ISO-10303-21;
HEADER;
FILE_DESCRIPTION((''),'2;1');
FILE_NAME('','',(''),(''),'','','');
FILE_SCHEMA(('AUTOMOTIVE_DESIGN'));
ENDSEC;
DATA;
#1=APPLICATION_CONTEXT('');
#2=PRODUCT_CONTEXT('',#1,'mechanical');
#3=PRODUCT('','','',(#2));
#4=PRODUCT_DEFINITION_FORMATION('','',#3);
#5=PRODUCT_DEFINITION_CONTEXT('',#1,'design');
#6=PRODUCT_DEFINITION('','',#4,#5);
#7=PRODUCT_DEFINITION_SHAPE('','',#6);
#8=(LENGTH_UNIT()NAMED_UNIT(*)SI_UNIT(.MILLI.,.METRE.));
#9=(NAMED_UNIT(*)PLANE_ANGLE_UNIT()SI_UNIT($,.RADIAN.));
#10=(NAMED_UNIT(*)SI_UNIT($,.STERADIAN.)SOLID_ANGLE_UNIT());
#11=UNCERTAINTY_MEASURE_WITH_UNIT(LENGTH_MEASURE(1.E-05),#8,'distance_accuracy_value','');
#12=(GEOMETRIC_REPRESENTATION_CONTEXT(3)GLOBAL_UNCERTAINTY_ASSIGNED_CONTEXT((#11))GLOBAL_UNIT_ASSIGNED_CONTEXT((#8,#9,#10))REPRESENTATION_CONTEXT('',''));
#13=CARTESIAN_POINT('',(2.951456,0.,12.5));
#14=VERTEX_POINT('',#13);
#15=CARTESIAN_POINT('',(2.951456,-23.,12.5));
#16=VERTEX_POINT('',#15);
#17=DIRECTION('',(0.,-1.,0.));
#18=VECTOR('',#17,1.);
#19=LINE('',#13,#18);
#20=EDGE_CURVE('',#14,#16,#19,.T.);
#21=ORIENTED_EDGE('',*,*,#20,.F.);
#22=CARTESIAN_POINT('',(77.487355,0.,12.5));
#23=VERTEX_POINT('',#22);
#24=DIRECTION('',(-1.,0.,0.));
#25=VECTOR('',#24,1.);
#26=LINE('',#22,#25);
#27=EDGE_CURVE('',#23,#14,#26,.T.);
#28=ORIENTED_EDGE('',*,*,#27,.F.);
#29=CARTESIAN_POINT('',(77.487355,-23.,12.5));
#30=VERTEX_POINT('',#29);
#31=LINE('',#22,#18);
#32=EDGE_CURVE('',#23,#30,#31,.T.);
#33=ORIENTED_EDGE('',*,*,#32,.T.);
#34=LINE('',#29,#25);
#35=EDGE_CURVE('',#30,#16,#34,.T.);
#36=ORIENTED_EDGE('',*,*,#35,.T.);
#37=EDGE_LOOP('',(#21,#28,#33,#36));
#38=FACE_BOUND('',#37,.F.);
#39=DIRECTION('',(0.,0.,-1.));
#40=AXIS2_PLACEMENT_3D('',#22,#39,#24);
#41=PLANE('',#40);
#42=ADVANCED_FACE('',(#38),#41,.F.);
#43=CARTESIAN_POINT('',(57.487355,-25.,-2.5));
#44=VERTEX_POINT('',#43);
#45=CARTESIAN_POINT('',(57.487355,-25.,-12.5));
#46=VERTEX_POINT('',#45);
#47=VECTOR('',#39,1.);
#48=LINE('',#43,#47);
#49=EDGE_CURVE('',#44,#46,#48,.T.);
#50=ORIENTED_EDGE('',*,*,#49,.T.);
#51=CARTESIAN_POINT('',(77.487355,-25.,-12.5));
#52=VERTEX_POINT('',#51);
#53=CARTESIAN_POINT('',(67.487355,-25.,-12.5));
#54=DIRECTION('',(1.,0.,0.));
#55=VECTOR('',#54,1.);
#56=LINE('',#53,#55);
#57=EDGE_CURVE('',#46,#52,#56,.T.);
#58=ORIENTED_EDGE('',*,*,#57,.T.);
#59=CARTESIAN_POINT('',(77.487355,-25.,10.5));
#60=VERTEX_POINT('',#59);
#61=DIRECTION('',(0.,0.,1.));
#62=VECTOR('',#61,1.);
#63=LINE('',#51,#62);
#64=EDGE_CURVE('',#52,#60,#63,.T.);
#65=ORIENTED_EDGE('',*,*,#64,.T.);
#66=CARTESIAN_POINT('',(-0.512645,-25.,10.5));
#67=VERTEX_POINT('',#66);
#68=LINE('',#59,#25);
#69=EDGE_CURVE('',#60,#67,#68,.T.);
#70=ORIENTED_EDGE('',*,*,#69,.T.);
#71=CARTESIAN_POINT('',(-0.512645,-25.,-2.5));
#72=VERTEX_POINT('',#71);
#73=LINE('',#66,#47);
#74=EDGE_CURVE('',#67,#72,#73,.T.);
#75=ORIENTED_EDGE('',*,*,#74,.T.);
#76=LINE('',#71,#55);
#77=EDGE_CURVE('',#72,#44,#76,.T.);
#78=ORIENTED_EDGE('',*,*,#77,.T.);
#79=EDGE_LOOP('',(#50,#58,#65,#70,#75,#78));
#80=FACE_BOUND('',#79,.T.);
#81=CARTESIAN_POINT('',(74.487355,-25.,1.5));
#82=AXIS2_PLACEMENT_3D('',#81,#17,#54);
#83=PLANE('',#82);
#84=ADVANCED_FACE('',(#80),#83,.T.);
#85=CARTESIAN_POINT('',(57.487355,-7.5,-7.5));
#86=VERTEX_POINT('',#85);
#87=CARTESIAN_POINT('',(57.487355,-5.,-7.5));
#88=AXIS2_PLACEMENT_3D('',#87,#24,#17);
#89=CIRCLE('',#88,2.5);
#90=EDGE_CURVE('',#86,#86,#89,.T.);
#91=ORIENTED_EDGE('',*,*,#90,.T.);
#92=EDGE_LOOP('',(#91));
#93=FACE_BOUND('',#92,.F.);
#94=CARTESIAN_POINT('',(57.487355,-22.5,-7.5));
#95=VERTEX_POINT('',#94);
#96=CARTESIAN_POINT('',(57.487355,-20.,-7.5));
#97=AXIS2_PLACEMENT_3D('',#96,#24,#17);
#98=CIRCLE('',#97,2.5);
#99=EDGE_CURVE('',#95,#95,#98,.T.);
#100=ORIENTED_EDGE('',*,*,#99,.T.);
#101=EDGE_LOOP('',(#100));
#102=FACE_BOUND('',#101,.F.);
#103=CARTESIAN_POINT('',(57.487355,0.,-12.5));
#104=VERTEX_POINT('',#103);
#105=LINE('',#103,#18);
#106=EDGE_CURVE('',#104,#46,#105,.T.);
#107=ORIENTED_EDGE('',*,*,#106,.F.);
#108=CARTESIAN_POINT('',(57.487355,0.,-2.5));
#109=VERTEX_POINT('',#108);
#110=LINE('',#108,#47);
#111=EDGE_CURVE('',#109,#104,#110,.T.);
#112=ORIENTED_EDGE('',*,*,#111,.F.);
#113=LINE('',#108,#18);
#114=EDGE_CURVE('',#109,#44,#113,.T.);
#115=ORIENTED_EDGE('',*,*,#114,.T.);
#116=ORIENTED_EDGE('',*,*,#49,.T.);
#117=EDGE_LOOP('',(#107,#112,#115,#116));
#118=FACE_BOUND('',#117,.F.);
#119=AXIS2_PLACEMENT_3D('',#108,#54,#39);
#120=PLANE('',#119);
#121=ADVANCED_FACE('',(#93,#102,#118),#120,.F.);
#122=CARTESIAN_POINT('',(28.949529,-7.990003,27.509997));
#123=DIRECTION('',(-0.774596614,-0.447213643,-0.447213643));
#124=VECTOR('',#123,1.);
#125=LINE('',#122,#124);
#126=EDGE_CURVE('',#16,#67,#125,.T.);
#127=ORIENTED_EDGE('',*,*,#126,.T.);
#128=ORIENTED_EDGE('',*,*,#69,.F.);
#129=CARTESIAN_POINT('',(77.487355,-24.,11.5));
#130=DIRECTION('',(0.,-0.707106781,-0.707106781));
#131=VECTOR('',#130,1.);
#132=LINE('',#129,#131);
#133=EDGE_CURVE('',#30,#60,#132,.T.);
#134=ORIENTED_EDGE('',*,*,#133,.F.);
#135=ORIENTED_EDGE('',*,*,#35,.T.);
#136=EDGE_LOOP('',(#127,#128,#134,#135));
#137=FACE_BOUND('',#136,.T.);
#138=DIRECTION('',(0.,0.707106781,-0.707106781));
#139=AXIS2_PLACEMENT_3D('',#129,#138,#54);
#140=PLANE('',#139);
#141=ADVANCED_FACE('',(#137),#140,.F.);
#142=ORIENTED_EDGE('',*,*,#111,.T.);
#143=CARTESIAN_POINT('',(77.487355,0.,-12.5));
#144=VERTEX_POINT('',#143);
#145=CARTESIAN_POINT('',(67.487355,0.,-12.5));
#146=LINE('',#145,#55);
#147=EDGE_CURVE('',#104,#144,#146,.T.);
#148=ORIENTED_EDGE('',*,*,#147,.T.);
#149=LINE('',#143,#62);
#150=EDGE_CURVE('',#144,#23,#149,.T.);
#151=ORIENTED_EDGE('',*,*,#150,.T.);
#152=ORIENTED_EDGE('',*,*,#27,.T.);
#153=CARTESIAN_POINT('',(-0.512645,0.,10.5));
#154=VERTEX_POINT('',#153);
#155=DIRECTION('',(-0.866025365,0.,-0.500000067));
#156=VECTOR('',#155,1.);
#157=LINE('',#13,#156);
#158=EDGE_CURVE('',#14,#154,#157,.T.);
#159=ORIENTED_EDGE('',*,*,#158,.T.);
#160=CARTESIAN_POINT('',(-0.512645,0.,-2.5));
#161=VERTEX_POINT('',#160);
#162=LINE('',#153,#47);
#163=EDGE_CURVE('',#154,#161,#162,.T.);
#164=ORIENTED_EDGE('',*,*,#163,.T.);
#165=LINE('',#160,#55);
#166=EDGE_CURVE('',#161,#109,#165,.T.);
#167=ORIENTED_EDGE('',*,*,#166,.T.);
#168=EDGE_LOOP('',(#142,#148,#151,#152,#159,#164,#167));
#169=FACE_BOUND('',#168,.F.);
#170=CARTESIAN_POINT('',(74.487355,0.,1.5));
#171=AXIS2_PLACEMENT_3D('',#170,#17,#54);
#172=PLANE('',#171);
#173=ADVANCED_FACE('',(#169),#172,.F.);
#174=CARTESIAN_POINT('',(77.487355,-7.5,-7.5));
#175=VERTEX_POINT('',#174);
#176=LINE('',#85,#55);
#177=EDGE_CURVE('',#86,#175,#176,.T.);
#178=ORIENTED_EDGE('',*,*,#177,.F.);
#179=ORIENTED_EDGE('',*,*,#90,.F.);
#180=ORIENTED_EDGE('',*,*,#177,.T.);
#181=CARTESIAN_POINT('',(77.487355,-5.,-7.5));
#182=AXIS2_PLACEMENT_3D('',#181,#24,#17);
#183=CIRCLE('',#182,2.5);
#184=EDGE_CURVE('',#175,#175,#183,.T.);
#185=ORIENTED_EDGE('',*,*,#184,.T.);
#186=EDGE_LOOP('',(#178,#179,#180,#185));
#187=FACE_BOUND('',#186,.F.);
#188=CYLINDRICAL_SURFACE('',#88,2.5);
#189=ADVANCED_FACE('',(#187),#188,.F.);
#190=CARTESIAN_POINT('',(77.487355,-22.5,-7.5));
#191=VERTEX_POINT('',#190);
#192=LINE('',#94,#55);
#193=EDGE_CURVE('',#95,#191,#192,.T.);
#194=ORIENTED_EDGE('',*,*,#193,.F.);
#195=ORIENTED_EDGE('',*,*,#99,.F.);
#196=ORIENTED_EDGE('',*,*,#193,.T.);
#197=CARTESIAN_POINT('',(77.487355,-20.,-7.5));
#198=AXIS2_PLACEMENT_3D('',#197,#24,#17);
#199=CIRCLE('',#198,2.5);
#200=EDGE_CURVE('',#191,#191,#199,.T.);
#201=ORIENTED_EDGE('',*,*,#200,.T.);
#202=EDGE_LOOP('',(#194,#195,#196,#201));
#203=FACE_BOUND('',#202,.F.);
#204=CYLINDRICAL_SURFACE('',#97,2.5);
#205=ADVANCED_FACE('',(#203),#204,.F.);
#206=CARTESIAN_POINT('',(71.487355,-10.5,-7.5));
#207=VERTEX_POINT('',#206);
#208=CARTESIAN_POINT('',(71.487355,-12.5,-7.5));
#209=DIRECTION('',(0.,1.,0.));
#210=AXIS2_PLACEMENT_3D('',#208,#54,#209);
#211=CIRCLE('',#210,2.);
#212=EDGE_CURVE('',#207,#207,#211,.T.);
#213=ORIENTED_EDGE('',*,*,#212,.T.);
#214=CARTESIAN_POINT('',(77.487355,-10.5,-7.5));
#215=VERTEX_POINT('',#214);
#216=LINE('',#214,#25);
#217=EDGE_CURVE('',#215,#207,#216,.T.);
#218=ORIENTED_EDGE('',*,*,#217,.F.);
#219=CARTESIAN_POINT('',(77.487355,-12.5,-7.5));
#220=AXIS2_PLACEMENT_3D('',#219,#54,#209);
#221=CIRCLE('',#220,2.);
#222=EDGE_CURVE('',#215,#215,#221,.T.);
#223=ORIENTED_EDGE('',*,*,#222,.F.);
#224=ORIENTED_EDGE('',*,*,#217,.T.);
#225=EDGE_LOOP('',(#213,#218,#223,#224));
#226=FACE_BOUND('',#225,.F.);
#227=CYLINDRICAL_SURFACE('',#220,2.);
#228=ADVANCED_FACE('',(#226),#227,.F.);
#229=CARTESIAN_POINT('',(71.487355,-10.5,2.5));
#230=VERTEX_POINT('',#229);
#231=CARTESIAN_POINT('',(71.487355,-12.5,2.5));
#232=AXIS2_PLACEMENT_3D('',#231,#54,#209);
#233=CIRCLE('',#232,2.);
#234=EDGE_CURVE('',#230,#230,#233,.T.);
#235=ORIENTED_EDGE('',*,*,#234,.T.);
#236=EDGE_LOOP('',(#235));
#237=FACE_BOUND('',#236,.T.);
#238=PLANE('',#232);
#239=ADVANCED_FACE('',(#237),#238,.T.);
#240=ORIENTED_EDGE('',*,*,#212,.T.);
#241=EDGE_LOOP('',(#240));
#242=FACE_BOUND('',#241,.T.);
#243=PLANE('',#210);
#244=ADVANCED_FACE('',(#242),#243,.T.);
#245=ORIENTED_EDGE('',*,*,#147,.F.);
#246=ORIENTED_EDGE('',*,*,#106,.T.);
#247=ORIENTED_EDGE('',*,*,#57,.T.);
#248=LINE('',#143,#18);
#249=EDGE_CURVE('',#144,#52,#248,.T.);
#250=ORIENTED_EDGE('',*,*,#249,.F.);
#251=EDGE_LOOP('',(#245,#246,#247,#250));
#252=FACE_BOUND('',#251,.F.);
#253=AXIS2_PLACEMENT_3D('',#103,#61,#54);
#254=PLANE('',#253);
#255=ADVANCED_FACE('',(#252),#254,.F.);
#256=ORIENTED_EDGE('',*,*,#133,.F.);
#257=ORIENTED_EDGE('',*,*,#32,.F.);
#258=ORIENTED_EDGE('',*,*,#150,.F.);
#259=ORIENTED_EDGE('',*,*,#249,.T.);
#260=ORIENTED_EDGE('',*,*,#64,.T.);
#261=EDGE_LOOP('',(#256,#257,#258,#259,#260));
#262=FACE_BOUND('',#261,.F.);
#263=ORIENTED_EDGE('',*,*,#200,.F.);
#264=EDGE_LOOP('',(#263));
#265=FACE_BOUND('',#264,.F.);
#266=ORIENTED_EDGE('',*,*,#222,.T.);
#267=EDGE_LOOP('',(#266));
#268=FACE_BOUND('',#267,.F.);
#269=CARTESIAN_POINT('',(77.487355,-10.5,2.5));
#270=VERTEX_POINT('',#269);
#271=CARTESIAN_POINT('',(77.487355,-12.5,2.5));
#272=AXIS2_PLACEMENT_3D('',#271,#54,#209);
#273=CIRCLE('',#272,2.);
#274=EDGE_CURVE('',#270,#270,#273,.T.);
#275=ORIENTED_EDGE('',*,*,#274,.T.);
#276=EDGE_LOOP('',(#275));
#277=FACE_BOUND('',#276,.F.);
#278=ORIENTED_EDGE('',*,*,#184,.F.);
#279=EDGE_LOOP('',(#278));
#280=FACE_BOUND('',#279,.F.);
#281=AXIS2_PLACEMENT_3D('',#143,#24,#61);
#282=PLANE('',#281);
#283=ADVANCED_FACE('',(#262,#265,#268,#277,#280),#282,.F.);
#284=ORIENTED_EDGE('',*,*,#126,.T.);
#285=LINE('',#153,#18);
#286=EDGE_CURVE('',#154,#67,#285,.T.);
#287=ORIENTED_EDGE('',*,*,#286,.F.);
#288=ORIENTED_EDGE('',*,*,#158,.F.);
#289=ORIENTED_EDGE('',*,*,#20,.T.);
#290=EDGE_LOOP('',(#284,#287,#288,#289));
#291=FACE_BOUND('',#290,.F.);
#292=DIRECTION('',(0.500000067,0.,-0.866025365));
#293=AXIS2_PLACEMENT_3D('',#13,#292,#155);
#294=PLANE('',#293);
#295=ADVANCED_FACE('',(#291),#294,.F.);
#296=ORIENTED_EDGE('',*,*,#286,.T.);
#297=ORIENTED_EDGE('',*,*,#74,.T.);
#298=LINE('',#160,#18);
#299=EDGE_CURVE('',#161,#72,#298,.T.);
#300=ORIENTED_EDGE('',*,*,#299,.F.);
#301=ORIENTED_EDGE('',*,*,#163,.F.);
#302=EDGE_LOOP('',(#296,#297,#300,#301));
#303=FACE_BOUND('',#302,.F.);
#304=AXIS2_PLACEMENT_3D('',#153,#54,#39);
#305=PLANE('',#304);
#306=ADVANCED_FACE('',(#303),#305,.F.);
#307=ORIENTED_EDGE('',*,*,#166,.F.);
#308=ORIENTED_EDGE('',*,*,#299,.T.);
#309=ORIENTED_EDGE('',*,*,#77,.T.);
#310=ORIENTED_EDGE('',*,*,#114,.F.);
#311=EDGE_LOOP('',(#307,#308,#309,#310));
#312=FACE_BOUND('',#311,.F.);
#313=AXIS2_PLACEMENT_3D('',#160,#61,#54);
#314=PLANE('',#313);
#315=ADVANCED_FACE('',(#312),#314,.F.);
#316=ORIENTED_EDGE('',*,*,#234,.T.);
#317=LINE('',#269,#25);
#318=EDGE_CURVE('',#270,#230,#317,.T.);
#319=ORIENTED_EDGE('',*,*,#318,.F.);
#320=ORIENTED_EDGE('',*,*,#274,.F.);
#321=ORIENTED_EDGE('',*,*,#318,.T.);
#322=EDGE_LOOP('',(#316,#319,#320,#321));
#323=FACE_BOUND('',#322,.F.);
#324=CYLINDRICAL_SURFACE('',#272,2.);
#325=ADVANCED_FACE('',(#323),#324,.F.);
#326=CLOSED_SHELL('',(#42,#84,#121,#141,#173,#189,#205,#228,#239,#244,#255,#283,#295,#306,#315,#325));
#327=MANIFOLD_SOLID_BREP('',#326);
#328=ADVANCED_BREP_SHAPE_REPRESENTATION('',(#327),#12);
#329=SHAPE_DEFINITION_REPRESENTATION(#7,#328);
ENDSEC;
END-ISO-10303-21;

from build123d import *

# Parameters (mm, degrees)
F0_W     = 6
F0_H     = 2
F0_W_2   = 20
F0_H_2   = 5
F1_DEPTH = 25
F2_R     = 2.5
F3_DEPTH = 20.001
F4_R     = 2
F5_DEPTH = 6
F6_SIZE  = 2


with BuildPart() as f1:
    # F0 (on Front) → F1 (new body)
    with BuildSketch(Plane.XZ):
        with Locations((74.487355, 1.5)):
            Rectangle(F0_W, F0_H)
        Polygon((2.951456, 12.5), (-0.512645, 10.5), (77.487355, 10.5), (77.487355, 12.5), align=None)
        with Locations((67.487355, -10)):
            Rectangle(F0_W_2, F0_H_2)
        with Locations((74.487355, 3.5)):
            Rectangle(F0_W, F0_H)
        Polygon((77.487355, 10.5), (-0.512645, 10.5), (-0.512645, -2.5), (57.487355, -2.5), (57.487355, -7.5), (77.487355, -7.5), (77.487355, 0.5), (71.487355, 0.5), (70.332654, 2.5), (71.487355, 4.5), (77.487355, 4.5), align=None)
        Polygon((71.487355, 2.5), (70.332654, 2.5), (71.487355, 0.5), align=None)
        Polygon((71.487355, 2.5), (71.487355, 4.5), (70.332654, 2.5), align=None)
    extrude(amount=F1_DEPTH)

    # F2 (on face) → F3 (cut, through all)
    with BuildSketch(Plane(origin=(57.487355, 0, 0), x_dir=(0, -1, 0), z_dir=(-1, 0, 0))):
        with Locations((20, -7.5)):
            Circle(F2_R)
        with Locations((5, -7.5)):
            Circle(F2_R)
    extrude(amount=-F3_DEPTH, mode=Mode.SUBTRACT)

    # F4 (on face) → F5 (cut)
    with BuildSketch(Plane.YZ.offset(77.487355)):
        with Locations((-12.5, 2.5)):
            Circle(F4_R)
        with Locations((-12.5, -7.5)):
            Circle(F4_R)
    extrude(amount=-F5_DEPTH, mode=Mode.SUBTRACT)

    # F6
    f6_edges = [f1.edges().sort_by_distance(p)[0] for p in [
        (40.219405, -25, 12.5),
    ]]
    chamfer(f6_edges, length=F6_SIZE)


solid = f1.part
